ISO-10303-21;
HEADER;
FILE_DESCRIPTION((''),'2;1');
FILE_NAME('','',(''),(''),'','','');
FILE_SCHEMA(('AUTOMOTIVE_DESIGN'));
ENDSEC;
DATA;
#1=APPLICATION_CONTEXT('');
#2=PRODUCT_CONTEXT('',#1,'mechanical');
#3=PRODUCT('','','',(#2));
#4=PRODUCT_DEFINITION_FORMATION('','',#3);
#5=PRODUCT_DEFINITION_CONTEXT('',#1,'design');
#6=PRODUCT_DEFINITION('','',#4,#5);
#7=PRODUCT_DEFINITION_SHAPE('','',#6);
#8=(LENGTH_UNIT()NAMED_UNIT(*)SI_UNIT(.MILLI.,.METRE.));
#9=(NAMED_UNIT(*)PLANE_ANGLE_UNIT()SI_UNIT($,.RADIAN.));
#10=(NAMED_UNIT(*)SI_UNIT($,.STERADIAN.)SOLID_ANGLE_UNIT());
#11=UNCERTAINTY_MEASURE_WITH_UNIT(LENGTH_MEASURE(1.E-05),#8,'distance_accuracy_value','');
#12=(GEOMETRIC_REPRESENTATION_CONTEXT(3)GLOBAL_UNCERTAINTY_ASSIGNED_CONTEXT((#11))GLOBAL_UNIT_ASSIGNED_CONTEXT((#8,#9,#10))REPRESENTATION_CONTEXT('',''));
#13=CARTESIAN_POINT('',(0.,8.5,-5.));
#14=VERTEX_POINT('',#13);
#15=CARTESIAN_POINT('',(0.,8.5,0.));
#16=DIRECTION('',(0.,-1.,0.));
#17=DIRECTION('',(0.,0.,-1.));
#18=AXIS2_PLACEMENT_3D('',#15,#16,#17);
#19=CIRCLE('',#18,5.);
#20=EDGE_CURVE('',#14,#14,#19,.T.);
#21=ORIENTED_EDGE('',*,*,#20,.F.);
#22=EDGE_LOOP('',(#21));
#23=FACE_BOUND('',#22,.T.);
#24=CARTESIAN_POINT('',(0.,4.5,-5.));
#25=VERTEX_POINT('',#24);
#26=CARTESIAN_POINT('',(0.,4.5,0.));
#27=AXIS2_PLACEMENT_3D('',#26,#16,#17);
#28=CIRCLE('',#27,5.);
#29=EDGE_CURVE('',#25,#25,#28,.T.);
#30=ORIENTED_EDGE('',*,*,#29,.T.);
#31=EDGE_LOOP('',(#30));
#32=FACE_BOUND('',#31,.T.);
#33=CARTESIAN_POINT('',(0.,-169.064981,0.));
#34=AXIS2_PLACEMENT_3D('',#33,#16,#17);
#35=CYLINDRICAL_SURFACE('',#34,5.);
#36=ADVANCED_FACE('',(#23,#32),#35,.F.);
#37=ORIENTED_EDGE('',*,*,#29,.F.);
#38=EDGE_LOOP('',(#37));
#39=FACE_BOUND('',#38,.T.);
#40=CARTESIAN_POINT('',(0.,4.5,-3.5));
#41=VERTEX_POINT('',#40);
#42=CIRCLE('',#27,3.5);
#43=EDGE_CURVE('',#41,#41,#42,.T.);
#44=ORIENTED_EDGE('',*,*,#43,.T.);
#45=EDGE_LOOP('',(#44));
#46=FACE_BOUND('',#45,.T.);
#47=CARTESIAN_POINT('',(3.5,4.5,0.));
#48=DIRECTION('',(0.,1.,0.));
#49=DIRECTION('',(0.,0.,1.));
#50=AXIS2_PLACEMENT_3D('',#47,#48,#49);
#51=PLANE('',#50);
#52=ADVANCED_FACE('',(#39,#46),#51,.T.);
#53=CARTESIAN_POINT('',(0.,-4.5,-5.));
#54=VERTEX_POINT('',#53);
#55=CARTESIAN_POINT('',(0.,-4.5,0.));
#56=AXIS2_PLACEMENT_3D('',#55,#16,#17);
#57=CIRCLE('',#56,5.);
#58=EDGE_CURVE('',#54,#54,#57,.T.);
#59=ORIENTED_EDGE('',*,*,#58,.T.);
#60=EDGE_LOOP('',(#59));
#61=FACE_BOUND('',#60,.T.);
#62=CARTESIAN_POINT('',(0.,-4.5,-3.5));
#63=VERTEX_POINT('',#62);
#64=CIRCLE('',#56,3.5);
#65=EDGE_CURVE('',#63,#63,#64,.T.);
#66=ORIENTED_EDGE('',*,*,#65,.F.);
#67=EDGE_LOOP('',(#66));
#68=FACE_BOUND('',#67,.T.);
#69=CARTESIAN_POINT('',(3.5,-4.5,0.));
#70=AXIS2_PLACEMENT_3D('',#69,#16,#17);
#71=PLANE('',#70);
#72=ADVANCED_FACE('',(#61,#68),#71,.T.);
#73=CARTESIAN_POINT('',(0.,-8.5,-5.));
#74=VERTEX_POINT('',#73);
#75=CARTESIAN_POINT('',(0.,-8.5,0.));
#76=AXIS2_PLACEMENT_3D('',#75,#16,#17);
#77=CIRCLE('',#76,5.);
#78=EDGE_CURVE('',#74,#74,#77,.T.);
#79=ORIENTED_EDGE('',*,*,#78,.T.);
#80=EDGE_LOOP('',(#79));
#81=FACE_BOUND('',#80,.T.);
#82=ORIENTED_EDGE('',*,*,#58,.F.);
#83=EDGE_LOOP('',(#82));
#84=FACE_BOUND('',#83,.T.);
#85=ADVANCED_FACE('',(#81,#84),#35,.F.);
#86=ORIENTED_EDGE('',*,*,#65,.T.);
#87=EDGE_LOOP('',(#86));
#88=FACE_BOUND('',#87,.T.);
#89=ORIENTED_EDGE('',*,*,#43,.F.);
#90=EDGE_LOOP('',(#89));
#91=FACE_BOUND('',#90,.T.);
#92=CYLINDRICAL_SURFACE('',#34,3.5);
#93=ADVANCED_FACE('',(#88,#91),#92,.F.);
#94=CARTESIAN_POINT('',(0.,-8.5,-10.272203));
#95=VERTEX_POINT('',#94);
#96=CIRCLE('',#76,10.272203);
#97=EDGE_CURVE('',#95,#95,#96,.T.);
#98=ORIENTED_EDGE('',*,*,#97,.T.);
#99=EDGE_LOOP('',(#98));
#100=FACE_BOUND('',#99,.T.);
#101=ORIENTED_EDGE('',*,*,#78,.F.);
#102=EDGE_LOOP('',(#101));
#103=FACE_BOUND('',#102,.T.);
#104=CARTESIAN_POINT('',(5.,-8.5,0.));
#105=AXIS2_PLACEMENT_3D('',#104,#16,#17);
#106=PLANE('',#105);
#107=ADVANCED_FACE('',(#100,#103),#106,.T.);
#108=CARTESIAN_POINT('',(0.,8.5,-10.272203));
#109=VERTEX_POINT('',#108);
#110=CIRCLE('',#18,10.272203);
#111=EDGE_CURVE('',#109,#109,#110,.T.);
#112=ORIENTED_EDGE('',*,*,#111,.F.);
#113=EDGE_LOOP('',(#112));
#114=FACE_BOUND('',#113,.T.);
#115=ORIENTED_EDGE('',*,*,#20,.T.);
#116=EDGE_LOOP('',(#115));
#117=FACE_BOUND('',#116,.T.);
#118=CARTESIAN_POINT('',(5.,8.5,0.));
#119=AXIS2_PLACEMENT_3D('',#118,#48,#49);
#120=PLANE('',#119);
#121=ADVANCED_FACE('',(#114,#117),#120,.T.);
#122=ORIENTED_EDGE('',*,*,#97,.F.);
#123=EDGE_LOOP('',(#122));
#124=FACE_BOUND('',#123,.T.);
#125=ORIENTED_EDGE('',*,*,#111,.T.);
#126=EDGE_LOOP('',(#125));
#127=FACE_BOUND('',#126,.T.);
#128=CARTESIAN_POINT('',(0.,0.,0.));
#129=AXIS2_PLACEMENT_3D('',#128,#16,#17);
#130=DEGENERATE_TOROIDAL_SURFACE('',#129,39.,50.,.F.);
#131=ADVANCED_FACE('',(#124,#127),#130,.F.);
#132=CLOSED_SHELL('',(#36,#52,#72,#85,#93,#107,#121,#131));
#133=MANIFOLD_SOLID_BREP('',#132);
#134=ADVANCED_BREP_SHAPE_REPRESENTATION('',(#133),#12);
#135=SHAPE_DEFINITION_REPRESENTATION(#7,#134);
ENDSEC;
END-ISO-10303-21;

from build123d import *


with BuildPart() as part:
    # Sketch1 → Revolve1 (revolve)
    with BuildSketch(Plane.XY, mode=Mode.PRIVATE) as revolve1_sk:
        with BuildLine():
            Line((3.5, -4.5), (3.5, 4.5))
            Line((3.5, 4.5), (5, 4.5))
            Line((5, 4.5), (5, 8.5))
            Line((5, 8.5), (10.272203117, 8.5))
            ThreePointArc((10.272203117, 8.5), (11, 0), (10.272203117, -8.5))
            Line((10.272203117, -8.5), (5, -8.5))
            Line((5, -8.5), (5, -4.5))
            Line((5, -4.5), (3.5, -4.5))
        make_face()
    revolve(revolve1_sk.sketch.rotate(Axis((0, -169.064981061, 0), (0, 1, 0)), 90), axis=Axis((0, -169.064981061, 0), (0, 1, 0)))


solid = part.part
